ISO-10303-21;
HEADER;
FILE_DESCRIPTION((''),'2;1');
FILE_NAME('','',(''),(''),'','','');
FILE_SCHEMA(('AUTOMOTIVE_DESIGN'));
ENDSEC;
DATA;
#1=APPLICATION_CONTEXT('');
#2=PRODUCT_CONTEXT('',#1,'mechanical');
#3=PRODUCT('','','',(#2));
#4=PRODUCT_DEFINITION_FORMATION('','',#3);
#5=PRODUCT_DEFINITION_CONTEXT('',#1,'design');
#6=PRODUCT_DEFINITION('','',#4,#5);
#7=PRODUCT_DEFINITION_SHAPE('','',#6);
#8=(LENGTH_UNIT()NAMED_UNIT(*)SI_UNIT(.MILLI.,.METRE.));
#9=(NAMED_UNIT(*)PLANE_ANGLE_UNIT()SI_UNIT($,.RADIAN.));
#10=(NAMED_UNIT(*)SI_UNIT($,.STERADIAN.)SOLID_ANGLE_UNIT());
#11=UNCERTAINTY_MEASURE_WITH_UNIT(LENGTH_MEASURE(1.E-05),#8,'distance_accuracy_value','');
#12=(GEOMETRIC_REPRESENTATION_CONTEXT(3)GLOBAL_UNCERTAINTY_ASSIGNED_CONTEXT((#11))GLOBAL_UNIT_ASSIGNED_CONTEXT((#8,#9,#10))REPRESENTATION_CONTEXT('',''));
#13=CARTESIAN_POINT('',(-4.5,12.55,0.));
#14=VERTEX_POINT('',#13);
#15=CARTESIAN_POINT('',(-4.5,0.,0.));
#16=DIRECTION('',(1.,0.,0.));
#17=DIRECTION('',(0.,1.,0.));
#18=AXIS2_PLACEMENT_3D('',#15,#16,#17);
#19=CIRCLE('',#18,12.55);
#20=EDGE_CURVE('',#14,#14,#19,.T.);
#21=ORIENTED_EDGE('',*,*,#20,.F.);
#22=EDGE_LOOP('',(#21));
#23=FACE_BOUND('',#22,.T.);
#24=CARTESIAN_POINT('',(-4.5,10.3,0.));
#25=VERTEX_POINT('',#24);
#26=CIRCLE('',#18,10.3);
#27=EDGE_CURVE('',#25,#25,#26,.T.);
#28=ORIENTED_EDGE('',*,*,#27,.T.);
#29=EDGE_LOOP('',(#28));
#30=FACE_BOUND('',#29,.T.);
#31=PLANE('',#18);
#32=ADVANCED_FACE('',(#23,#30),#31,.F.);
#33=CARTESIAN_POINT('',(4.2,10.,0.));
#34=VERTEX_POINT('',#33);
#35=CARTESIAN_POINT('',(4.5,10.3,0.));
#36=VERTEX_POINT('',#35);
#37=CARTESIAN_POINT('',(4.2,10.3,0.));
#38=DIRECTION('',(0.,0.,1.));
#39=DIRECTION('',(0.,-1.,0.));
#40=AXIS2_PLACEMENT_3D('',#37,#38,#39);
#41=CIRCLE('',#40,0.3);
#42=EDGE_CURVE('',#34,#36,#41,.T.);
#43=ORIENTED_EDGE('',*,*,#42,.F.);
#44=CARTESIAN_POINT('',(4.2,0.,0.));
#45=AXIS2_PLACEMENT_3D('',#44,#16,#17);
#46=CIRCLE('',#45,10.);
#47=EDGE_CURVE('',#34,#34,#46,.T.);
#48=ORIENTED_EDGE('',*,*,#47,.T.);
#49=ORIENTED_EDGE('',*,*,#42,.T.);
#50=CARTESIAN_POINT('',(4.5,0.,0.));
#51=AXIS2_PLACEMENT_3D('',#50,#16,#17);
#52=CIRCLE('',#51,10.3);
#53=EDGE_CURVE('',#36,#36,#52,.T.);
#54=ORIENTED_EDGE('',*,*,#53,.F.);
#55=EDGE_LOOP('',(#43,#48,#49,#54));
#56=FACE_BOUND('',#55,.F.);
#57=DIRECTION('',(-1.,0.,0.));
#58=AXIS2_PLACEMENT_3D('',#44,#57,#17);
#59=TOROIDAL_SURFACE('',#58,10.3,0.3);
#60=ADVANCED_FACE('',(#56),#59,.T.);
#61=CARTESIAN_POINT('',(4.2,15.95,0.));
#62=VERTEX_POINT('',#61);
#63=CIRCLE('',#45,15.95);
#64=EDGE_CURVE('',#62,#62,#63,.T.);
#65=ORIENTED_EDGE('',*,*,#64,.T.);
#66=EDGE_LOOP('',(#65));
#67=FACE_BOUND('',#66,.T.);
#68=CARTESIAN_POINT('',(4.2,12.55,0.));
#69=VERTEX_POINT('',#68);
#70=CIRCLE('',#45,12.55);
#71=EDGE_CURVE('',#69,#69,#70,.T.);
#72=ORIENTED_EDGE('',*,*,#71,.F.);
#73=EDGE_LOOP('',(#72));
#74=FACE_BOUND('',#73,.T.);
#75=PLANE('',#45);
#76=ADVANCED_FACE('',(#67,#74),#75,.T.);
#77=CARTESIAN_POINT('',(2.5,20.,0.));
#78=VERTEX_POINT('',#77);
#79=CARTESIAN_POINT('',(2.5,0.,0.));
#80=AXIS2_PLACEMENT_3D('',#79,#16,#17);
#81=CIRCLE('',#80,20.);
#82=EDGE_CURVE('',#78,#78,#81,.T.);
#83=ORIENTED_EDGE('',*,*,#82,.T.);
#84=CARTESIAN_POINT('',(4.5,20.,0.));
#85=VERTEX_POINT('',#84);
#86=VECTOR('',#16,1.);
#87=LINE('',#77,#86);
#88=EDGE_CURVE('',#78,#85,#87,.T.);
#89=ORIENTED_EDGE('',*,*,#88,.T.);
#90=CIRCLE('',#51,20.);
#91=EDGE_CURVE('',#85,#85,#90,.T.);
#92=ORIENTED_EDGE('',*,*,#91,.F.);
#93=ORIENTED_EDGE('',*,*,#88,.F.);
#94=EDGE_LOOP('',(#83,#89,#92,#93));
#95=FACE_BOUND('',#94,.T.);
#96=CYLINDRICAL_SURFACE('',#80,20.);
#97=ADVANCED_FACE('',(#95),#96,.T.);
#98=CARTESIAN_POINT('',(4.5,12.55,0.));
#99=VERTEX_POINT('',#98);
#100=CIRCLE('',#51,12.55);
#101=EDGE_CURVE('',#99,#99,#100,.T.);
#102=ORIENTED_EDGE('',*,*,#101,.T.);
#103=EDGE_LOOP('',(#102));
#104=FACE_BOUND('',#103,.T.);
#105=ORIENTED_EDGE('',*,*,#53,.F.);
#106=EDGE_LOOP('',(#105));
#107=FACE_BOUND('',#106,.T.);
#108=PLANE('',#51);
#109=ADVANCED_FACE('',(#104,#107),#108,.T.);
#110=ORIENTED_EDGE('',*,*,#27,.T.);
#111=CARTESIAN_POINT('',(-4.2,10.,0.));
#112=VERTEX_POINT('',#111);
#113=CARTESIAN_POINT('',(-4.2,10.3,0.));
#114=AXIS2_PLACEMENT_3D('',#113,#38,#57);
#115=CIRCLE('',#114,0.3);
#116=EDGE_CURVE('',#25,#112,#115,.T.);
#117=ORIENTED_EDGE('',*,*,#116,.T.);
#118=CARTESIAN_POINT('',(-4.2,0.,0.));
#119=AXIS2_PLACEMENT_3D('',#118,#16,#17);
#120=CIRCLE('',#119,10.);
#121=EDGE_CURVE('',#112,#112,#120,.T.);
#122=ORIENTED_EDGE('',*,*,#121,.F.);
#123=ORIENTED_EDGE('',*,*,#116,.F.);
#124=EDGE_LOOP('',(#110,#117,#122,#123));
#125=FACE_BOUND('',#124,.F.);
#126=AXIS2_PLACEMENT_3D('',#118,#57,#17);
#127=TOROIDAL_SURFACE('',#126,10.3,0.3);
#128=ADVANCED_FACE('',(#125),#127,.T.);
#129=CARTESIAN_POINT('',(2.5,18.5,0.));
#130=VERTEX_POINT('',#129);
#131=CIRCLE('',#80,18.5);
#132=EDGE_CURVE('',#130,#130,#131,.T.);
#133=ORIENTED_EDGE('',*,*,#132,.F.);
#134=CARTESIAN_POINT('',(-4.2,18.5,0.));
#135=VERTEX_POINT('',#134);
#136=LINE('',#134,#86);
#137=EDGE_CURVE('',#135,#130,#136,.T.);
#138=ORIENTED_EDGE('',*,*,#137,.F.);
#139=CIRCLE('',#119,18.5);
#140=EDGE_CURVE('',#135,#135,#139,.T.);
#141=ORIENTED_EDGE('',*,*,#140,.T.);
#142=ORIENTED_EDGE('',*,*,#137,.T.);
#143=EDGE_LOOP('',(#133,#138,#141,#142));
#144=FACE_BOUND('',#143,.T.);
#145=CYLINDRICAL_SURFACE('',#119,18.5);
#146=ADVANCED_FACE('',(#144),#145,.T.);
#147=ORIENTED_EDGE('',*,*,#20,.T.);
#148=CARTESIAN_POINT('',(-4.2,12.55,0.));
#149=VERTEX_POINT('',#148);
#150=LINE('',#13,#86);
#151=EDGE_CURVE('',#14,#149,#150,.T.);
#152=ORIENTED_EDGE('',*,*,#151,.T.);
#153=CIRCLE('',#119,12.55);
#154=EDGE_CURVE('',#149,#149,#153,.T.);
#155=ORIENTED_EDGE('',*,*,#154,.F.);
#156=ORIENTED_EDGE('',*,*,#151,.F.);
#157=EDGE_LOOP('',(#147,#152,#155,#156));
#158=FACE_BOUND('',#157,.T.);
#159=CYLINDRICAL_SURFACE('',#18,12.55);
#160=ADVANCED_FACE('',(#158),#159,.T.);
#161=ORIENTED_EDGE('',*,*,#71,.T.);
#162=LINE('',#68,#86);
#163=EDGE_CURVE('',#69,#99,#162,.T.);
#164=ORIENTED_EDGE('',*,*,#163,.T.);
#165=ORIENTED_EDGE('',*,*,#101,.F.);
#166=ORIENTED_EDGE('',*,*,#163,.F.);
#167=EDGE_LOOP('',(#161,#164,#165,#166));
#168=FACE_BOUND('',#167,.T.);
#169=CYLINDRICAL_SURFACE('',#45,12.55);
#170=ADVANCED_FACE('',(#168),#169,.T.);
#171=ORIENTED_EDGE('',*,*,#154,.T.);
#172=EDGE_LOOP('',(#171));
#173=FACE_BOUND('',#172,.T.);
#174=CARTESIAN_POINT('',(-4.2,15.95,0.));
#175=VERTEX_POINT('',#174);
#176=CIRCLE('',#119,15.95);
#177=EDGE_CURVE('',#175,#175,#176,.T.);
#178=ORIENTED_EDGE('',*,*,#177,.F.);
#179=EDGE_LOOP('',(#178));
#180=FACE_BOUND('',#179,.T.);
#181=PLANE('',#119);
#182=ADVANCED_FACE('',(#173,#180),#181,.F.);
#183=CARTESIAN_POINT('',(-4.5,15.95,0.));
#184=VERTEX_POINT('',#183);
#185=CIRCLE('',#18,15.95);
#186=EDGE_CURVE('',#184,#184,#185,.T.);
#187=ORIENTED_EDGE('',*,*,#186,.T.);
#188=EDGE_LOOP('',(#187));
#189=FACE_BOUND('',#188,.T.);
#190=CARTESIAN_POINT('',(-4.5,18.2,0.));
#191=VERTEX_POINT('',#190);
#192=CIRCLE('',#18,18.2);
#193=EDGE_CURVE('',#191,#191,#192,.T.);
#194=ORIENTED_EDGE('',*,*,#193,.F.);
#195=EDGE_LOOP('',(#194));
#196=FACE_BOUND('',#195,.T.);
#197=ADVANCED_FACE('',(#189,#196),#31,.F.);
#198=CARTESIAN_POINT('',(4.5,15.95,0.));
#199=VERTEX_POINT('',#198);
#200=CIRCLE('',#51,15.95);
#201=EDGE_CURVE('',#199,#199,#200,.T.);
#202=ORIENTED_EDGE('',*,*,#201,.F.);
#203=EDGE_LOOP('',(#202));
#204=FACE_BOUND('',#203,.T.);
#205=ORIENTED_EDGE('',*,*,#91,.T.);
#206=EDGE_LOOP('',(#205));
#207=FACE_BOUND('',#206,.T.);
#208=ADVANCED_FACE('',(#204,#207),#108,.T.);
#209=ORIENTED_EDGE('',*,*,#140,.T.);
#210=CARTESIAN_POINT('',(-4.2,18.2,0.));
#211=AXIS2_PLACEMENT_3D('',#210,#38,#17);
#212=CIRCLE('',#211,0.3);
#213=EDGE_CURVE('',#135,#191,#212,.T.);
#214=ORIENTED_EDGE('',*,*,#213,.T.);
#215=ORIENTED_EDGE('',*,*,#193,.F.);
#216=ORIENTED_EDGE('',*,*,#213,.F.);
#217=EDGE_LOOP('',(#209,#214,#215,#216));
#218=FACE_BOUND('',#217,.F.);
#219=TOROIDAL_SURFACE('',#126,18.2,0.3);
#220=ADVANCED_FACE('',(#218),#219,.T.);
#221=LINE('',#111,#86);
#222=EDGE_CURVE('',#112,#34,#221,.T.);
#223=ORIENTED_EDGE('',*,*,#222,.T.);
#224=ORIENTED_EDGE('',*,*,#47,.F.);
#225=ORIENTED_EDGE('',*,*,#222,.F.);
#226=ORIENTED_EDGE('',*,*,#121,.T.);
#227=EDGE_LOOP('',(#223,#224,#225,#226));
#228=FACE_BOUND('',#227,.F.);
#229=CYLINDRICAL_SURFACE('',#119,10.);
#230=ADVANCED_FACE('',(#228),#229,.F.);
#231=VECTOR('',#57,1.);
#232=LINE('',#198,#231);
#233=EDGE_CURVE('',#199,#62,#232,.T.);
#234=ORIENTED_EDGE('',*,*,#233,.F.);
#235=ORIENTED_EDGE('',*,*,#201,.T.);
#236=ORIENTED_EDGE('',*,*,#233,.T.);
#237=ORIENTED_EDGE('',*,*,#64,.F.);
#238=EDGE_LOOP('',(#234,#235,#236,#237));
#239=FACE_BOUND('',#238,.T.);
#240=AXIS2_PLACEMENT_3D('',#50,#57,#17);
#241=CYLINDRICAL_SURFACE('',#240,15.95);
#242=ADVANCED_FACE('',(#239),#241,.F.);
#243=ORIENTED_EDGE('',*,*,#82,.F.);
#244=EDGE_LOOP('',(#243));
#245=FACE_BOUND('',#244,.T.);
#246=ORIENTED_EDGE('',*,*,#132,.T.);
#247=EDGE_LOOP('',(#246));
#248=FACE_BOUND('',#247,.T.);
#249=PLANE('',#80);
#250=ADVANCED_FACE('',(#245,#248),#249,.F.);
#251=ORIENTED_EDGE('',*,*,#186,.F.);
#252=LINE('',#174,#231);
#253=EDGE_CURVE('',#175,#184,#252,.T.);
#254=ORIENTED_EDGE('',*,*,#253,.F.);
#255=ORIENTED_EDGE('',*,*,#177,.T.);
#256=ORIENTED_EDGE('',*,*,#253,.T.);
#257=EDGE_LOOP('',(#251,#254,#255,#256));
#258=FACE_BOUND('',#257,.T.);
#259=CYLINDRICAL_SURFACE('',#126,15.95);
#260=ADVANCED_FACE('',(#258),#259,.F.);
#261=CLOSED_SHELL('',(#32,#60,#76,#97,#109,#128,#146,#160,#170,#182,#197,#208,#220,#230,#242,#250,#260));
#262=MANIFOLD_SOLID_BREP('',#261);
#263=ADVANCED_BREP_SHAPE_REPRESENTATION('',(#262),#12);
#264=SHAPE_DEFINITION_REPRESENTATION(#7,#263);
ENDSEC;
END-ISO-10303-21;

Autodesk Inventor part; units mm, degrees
ref_plane "YZ Plane" through (0, 0, 0) normal (1, 0, 0) x (0, 1, 0)
ref_plane "XZ Plane" through (0, 0, 0) normal (0, 1, 0) x (-1, 0, 0)
ref_plane "XY Plane" through (0, 0, 0) normal (0, 0, 1) x (1, 0, 0)
sketch "_____1" plane through (0, 0, 0) normal (0, 0, 1) x (1, 0, 0)
  line L0 (50, 0) -> (-50, 0)
  line L1 (-4.5, 0) -> (-4.5, 12.55)
  line L2 (-4.5, 12.55) -> (-4.2, 12.55)
  line L3 (-4.2, 12.55) -> (-4.2, 15.95)
  line L4 (-4.2, 15.95) -> (-4.5, 15.95)
  line L5 (-4.5, 15.95) -> (-4.5, 18.2)
  arc A0 (-4.2, 18.5) -> (-4.5, 18.2) centre (-4.2, 18.2) ccw
  line L6 (-4.2, 18.5) -> (2.5, 18.5)
  line L7 (2.5, 18.5) -> (2.5, 20)
  line L8 (2.5, 20) -> (4.5, 20)
  line L9 (4.5, 20) -> (4.5, 15.95)
  line L10 (4.5, 15.95) -> (4.2, 15.95)
  line L11 (4.2, 15.95) -> (4.2, 12.55)
  line L12 (4.2, 12.55) -> (4.5, 12.55)
  line L13 (4.5, 12.55) -> (4.5, 0)
  line L14 (4.5, 0) -> (-4.5, 0)
revolve "Revolution1" add sketch "_____1" angle 360 about axis through (50, 0, 0) along (1, 0, 0)
sketch "_____2" plane through (0, 0, 0) normal (0, 0, 1) x (1, 0, 0)
  line L0 (50, 0) -> (-50, 0)
  line L1 (-4.5, 0) -> (-4.5, 10.3)
  arc A0 (-4.5, 10.3) -> (-4.2, 10) centre (-4.2, 10.3) ccw
  line L2 (-4.2, 10) -> (4.2, 10)
  arc A1 (4.2, 10) -> (4.5, 10.3) centre (4.2, 10.3) ccw
  line L3 (4.5, 10.3) -> (4.5, 0)
  line L4 (4.5, 0) -> (-4.5, 0)
revolve "Revolution2" cut sketch "_____2" angle 360 about axis through (50, 0, 0) along (1, 0, 0)
properties part number "C-FL6904ZZ" material "ステンレス鋼"
